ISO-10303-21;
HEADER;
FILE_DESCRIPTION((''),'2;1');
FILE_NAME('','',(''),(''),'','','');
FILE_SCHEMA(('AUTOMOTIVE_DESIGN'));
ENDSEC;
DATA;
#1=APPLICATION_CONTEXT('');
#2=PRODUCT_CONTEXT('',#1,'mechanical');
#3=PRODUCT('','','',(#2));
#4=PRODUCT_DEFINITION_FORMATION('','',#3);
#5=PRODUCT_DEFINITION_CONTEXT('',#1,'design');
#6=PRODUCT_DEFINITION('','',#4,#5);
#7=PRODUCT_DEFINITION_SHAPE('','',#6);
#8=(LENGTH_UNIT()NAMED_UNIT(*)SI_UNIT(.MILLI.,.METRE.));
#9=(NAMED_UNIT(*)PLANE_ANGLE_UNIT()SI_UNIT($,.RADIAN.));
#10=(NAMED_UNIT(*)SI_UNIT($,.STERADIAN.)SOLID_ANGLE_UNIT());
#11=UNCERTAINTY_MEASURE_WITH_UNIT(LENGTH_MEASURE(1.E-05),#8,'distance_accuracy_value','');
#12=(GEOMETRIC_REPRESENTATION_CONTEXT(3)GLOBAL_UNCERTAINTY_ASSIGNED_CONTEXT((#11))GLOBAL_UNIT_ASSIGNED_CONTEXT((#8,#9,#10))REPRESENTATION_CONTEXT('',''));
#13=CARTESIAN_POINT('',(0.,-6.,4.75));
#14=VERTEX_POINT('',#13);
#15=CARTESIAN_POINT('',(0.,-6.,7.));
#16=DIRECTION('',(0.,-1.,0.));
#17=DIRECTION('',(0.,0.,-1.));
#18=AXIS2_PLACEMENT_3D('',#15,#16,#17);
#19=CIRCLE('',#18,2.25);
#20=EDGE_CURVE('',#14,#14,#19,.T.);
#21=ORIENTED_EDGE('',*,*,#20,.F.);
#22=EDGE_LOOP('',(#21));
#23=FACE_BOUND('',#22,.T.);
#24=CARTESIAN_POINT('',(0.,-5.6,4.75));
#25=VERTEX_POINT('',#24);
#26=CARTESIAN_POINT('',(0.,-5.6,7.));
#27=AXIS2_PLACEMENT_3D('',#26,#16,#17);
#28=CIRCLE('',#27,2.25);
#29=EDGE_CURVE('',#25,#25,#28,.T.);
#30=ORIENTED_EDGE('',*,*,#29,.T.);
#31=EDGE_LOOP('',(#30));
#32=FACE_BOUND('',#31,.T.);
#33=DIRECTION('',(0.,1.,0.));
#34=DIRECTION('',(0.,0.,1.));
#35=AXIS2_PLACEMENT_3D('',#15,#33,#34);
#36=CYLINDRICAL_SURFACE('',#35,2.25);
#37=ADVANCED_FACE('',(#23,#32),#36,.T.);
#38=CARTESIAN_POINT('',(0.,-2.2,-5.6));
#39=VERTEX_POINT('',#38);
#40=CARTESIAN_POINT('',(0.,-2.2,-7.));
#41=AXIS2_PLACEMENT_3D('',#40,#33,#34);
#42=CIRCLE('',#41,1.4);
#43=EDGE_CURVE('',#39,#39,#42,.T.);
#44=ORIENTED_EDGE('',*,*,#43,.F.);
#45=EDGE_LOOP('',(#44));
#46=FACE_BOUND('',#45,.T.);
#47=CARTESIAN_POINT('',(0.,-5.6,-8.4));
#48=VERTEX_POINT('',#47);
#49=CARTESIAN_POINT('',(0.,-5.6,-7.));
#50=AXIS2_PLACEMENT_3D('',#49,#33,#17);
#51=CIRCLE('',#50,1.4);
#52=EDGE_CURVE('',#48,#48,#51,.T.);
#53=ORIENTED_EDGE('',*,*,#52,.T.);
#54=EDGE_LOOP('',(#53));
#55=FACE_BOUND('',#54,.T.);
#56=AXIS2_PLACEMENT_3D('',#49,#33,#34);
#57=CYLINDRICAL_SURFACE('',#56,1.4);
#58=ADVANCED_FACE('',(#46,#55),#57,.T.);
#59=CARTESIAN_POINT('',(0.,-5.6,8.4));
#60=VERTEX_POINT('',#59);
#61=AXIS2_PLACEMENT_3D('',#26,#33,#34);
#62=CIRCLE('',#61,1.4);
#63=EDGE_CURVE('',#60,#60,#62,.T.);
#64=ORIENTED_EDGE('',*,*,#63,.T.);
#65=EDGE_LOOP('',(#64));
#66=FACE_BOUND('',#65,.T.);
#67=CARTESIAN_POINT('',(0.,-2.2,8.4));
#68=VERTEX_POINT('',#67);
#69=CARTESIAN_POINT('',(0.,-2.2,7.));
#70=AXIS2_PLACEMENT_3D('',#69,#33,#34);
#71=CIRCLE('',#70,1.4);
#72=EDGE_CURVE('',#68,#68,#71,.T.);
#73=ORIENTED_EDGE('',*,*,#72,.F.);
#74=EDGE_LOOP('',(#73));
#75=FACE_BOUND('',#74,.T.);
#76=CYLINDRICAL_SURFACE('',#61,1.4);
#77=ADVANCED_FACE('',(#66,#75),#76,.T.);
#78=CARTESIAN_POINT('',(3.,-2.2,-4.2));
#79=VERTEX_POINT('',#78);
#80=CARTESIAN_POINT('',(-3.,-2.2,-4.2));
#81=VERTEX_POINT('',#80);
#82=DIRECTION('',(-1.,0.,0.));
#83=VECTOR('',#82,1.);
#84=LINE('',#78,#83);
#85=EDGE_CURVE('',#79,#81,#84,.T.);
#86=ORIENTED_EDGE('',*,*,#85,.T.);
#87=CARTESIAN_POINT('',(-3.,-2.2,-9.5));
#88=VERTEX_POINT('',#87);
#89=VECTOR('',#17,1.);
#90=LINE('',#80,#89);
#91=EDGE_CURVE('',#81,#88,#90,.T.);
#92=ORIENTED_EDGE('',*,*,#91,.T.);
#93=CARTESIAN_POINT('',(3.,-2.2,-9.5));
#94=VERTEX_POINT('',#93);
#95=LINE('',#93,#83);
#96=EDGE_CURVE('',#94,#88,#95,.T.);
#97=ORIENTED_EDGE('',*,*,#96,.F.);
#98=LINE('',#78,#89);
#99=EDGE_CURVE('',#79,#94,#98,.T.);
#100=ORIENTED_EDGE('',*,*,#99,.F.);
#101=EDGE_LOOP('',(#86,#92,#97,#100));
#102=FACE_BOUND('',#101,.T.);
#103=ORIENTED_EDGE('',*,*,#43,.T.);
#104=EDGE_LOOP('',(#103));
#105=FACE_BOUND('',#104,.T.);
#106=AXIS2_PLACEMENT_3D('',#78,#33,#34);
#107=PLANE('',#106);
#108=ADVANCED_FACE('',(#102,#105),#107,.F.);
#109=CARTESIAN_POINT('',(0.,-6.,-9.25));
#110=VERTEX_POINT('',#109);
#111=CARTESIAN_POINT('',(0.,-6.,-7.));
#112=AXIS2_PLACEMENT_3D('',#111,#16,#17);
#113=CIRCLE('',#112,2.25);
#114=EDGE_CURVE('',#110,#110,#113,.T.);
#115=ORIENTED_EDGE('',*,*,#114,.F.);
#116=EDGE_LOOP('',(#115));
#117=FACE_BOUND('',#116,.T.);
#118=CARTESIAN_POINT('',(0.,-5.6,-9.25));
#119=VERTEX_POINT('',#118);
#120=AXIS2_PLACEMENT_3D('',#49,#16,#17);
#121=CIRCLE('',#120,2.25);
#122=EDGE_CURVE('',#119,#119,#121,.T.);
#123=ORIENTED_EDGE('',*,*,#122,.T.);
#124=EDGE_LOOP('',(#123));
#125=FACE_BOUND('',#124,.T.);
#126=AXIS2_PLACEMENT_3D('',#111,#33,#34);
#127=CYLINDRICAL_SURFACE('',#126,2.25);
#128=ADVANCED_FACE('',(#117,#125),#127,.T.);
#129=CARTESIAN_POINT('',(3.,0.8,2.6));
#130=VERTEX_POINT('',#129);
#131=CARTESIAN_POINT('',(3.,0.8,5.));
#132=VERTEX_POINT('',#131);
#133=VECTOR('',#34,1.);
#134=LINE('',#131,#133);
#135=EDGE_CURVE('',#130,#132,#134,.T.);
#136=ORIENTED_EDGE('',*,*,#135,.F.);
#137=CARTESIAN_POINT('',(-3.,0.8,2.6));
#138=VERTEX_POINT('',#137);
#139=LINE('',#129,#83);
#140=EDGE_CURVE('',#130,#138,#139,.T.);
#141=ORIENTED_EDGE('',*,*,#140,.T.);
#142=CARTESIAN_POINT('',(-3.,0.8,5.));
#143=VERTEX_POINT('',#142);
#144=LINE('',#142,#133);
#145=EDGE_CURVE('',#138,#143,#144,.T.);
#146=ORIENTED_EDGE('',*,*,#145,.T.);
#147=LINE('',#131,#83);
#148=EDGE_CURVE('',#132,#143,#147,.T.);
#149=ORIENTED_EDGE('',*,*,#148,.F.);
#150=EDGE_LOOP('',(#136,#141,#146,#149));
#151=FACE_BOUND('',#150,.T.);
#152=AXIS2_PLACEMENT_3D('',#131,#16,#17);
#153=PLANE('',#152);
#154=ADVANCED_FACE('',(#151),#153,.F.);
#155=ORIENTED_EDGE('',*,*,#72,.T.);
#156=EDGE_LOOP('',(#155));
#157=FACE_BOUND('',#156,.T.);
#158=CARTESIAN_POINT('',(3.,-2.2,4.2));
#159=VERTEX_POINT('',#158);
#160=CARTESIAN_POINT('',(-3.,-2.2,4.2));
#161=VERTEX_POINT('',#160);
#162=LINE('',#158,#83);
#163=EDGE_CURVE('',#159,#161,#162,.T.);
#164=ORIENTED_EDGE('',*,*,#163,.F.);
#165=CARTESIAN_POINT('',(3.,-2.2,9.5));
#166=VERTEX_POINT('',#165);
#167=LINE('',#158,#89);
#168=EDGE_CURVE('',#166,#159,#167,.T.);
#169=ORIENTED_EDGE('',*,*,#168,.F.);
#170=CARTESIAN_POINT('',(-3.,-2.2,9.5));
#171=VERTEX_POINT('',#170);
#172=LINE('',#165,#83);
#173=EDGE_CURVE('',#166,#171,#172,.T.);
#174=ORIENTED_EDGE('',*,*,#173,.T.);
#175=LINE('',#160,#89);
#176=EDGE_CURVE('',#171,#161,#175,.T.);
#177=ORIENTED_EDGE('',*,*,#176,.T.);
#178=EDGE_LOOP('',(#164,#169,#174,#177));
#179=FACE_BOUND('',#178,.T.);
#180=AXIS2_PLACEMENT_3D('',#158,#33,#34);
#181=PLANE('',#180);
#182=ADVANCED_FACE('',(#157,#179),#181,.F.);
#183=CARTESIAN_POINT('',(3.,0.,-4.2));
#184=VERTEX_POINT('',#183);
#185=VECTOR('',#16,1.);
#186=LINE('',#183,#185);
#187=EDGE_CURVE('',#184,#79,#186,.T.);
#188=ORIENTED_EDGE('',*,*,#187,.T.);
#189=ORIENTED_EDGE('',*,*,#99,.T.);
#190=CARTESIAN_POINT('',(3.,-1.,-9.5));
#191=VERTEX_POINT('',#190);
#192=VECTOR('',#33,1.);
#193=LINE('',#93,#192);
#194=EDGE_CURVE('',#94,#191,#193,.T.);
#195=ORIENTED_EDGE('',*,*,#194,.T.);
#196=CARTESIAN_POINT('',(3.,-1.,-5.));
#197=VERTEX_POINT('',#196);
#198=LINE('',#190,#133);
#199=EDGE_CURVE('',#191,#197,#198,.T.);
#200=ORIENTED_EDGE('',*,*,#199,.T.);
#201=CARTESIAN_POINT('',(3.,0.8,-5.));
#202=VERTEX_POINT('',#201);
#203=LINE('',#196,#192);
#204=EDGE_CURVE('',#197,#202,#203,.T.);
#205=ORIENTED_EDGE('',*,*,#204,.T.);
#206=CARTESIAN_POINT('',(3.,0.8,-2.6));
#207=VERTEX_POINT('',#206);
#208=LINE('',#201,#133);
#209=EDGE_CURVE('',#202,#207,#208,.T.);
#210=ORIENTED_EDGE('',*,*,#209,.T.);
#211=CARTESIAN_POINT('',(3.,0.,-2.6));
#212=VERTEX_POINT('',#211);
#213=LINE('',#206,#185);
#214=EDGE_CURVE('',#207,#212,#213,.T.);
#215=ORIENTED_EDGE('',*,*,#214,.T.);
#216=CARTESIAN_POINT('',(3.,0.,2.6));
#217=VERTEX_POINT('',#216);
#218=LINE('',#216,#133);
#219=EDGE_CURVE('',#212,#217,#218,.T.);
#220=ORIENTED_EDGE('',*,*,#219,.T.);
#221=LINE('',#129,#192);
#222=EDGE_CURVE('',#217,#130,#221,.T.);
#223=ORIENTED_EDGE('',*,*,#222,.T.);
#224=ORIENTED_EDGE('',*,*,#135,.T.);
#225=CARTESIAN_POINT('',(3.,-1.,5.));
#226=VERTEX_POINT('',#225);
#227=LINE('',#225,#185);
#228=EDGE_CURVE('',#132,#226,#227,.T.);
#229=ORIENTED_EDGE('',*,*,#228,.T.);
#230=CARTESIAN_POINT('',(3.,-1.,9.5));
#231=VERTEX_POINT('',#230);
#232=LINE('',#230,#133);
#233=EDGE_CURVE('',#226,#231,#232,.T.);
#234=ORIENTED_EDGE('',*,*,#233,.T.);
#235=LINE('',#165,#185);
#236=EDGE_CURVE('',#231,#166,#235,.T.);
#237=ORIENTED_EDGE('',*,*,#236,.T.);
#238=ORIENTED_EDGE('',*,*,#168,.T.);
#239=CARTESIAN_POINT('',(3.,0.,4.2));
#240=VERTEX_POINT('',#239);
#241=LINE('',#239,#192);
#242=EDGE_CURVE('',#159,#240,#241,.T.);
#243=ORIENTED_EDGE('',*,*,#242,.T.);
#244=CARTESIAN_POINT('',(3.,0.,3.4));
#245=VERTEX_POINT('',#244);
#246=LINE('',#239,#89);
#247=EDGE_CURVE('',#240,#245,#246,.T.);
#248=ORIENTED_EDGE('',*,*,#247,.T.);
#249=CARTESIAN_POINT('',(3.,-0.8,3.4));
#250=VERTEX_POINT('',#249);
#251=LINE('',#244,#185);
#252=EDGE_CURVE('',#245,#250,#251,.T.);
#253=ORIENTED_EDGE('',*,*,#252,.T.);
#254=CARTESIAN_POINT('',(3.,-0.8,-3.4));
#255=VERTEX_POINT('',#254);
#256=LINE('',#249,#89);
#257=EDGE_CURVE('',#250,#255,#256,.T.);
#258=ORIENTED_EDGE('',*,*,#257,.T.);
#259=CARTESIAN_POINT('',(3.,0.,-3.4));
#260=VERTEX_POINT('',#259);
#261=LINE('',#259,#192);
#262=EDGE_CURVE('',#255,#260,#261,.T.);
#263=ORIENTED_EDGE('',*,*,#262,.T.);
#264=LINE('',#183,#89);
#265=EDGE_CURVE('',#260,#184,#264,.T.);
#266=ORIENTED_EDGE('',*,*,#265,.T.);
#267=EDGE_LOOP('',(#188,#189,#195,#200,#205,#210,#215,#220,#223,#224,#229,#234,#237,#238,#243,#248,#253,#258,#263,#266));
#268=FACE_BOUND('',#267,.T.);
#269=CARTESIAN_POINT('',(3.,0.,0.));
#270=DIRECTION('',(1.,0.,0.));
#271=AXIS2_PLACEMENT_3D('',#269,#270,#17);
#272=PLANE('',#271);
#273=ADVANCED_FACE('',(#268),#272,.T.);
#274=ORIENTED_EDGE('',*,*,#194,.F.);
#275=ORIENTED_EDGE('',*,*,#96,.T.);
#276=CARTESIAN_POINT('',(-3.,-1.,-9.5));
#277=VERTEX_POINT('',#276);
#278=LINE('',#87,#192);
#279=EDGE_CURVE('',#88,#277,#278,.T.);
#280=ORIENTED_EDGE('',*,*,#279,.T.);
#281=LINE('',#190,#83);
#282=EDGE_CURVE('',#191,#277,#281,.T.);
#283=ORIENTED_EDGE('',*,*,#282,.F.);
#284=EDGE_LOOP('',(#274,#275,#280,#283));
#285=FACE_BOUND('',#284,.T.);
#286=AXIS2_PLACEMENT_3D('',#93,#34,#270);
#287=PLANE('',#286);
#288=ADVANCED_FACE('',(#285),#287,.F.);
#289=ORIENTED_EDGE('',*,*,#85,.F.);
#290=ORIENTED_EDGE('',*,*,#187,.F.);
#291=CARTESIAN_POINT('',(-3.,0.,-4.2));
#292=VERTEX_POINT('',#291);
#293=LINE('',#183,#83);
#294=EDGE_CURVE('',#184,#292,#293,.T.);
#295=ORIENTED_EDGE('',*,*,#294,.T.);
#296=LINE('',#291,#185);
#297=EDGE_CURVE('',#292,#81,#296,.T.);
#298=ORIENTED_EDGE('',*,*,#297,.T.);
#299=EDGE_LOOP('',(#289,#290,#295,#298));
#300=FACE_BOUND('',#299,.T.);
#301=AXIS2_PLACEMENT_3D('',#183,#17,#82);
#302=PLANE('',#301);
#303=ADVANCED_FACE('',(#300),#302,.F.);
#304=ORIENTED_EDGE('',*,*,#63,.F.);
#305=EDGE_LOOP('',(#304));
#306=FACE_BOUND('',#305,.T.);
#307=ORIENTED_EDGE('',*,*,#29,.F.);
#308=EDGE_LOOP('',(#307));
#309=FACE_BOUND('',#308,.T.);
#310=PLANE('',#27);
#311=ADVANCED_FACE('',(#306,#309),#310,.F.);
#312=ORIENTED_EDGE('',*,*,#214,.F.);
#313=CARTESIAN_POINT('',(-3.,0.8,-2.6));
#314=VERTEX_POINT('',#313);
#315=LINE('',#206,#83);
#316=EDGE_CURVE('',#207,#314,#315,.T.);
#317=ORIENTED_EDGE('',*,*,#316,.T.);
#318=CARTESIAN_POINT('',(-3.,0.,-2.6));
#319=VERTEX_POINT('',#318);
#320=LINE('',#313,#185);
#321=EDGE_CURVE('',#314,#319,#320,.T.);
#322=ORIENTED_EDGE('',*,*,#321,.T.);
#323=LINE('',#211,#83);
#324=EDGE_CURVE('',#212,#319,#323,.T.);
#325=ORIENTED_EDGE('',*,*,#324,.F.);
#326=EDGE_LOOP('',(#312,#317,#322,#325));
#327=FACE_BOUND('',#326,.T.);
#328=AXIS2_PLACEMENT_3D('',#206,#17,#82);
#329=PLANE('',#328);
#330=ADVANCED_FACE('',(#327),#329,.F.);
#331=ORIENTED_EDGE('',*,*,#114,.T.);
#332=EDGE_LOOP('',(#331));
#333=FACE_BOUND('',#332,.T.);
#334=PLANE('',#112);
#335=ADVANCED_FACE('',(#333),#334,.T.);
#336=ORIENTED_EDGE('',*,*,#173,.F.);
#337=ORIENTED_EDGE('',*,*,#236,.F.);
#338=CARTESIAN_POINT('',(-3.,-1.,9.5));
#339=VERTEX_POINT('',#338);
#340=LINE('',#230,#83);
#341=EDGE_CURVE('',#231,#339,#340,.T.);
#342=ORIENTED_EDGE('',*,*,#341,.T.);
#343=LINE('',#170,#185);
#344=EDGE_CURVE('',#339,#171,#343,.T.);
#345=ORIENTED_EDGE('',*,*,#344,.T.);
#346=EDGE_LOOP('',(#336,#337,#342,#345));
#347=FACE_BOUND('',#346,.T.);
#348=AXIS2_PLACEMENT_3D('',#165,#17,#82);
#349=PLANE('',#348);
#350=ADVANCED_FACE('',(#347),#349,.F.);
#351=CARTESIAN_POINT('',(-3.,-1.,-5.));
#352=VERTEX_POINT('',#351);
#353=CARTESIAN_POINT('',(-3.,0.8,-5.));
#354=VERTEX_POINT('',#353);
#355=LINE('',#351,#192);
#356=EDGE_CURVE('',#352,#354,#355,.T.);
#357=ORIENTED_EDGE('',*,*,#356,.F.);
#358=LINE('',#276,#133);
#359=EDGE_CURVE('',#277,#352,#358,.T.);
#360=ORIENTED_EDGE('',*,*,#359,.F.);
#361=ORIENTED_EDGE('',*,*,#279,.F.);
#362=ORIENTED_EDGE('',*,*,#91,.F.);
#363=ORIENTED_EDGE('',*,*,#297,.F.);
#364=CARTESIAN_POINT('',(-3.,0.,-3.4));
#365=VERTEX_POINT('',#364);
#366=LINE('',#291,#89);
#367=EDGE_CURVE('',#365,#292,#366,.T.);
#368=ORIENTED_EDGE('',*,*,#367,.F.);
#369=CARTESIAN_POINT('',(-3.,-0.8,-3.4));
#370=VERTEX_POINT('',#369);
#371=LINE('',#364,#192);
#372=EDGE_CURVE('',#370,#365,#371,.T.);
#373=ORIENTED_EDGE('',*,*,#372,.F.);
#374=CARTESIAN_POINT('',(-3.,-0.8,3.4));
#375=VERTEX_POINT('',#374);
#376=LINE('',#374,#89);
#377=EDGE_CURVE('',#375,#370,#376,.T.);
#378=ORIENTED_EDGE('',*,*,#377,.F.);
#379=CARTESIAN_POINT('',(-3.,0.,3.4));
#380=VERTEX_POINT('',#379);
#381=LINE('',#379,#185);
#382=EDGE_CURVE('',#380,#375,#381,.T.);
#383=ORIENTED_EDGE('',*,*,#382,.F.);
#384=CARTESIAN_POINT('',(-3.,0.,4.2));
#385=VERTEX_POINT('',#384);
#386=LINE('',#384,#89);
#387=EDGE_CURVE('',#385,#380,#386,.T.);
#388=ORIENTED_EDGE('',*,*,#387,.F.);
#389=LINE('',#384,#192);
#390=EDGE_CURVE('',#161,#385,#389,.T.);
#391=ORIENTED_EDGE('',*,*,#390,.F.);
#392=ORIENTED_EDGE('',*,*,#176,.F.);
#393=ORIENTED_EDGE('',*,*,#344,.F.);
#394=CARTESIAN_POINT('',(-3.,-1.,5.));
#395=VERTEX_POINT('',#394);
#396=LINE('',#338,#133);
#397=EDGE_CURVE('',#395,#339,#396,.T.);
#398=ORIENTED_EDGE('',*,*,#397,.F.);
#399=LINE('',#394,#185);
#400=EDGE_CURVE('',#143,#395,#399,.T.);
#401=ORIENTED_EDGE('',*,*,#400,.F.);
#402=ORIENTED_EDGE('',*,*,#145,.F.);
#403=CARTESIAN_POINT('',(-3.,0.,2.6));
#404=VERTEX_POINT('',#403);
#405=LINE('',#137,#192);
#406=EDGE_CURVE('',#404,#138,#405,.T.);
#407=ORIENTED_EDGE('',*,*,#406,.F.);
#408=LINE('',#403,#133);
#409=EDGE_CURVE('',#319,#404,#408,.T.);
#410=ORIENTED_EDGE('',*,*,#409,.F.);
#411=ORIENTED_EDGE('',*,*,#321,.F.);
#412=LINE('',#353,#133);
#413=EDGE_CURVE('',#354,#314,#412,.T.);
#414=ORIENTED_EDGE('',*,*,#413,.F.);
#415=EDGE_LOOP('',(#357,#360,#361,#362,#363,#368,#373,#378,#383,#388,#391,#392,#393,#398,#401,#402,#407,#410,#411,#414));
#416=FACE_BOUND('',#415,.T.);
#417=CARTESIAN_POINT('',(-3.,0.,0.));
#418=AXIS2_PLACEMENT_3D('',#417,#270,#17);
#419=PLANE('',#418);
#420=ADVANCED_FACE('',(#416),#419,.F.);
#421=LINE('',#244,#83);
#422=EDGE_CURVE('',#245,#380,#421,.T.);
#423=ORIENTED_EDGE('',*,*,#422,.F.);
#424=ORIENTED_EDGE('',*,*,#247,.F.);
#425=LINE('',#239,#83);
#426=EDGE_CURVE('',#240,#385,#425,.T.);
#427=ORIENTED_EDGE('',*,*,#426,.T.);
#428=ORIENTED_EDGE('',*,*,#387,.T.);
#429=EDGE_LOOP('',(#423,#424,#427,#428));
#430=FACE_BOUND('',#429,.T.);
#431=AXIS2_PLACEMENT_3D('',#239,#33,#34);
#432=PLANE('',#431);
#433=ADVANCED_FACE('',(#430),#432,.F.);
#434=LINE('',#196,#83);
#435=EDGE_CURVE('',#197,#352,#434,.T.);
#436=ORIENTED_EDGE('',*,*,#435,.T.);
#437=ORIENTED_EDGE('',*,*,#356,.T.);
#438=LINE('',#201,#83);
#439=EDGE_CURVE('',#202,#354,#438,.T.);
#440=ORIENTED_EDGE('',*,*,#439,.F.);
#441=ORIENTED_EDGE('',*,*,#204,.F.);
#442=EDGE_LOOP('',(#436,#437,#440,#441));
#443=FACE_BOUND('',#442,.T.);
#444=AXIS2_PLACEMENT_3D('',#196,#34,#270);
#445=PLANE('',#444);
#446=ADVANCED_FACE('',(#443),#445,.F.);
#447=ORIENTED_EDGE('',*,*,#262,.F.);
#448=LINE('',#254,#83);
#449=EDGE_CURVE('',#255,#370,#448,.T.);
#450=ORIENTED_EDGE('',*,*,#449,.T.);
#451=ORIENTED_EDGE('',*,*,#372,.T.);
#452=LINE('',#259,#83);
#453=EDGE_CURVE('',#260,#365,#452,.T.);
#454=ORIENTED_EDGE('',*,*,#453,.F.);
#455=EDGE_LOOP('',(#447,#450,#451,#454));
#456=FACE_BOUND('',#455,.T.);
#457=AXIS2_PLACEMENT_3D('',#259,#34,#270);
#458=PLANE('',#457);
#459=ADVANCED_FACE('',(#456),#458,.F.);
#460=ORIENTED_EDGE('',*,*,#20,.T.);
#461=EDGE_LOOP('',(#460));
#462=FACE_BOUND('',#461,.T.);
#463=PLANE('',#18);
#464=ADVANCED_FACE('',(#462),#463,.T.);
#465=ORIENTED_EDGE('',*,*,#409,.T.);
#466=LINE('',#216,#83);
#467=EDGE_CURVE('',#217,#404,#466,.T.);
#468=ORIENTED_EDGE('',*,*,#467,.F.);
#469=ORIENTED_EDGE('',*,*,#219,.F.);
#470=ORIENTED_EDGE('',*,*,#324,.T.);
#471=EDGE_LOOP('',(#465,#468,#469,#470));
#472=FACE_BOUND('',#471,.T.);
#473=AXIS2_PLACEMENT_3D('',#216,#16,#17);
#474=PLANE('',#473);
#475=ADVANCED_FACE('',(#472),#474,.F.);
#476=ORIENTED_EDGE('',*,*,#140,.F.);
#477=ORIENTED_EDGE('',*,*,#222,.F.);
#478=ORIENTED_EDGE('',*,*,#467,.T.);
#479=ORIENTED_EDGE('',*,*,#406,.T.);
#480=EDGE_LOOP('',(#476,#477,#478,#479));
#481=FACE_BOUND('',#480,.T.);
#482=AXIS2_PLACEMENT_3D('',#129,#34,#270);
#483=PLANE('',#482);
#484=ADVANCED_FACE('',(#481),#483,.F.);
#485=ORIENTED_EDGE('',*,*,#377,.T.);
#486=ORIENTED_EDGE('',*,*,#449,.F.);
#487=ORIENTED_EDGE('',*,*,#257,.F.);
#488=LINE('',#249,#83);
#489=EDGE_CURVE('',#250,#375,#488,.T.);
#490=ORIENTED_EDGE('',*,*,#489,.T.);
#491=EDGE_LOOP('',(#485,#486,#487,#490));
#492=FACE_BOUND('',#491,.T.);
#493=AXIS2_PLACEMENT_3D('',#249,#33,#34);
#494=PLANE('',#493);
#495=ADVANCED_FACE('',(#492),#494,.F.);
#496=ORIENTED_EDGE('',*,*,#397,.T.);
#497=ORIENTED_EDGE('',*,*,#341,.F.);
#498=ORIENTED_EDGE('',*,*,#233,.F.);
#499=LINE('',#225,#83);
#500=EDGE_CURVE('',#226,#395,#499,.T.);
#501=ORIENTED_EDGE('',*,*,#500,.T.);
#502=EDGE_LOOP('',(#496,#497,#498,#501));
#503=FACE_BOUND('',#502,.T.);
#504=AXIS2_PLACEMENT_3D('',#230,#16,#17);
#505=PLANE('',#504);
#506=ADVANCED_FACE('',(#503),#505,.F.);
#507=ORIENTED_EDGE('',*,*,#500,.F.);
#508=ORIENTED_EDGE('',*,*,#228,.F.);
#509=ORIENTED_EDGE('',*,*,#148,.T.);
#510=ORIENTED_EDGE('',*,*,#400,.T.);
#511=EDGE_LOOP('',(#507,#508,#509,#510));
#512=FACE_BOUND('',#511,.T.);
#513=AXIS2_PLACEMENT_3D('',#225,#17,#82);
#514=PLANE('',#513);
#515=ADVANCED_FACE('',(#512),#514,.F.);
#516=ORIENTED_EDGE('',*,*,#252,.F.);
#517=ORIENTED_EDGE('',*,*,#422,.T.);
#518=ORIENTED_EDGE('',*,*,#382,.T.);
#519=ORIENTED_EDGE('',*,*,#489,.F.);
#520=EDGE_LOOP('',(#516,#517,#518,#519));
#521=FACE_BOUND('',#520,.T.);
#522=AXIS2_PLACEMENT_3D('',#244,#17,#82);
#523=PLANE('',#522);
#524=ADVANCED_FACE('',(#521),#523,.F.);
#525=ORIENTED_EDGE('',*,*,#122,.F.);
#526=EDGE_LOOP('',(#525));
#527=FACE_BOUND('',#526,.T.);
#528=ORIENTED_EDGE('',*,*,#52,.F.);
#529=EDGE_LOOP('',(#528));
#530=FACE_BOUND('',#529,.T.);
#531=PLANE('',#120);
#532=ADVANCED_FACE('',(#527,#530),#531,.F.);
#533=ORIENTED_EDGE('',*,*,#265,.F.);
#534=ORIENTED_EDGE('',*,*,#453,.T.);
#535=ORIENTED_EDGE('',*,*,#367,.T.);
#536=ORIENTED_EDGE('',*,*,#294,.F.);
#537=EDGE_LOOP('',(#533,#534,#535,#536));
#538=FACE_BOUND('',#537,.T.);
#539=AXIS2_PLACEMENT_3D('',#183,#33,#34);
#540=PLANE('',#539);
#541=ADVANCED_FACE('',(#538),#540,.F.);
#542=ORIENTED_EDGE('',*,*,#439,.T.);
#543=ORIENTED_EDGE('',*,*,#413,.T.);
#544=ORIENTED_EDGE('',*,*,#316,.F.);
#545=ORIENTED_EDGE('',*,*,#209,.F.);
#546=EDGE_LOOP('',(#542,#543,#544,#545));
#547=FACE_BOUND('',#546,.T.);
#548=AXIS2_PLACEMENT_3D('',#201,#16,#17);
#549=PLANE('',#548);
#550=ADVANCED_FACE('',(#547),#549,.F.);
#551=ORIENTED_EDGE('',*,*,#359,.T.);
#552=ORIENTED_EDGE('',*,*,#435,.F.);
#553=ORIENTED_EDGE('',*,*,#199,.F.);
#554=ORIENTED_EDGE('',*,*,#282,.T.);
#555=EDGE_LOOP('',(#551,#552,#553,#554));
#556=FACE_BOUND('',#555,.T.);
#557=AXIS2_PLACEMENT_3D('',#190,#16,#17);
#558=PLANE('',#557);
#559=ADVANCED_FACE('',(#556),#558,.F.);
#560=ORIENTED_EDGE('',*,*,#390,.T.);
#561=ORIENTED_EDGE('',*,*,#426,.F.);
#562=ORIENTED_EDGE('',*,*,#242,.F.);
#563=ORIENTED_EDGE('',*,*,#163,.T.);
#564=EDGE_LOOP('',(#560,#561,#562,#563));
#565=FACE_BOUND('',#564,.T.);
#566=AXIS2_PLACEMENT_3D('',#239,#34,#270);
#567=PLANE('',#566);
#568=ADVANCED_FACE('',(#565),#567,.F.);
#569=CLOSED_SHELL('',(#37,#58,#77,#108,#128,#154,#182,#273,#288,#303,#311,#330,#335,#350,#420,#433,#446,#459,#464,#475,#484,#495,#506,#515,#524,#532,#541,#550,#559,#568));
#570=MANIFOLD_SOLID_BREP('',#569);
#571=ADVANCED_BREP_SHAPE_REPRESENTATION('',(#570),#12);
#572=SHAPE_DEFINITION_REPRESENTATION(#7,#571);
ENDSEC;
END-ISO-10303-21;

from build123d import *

# Parameters (mm, degrees)
BOSS_EXTRUDE4_DEPTH = 3
SKETCH5_R           = 1.4
BOSS_EXTRUDE5_DEPTH = 4.6
SKETCH6_R           = 2.25
BOSS_EXTRUDE6_DEPTH = 0.4


with BuildPart() as part:
    # Sketch4 → Boss-Extrude4 (new body, symmetric)
    with BuildSketch(Plane(origin=(0, 0, 0), x_dir=(0, 0, -1), z_dir=(1, 0, 0))):
        Polygon((-5, -1), (-5, 0.8), (-2.6, 0.8), (-2.6, 0), (2.6, 0), (2.6, 0.8), (5, 0.8), (5, -1), (9.5, -1), (9.5, -2.2), (4.2, -2.2), (4.2, 0), (3.4, 0), (3.4, -0.8), (-3.4, -0.8), (-3.4, 0), (-4.2, 0), (-4.2, -2.2), (-9.5, -2.2), (-9.5, -1), align=None)
    extrude(amount=BOSS_EXTRUDE4_DEPTH, both=True)

    # Sketch5 → Boss-Extrude5 (add)
    with BuildSketch(Plane(origin=(0, -1, 0), x_dir=(1, 0, 0), z_dir=(0, 1, 0))):
        with Locations((0, -7)):
            Circle(SKETCH5_R)
        with Locations((0, 7)):
            Circle(SKETCH5_R)
    extrude(amount=-BOSS_EXTRUDE5_DEPTH)

    # Sketch6 → Boss-Extrude6 (add)
    with BuildSketch(Plane.XZ.offset(5.6)):
        with Locations((0, -7)):
            Circle(SKETCH6_R)
        with Locations((0, 7)):
            Circle(SKETCH6_R)
    extrude(amount=BOSS_EXTRUDE6_DEPTH)


solid = part.part
